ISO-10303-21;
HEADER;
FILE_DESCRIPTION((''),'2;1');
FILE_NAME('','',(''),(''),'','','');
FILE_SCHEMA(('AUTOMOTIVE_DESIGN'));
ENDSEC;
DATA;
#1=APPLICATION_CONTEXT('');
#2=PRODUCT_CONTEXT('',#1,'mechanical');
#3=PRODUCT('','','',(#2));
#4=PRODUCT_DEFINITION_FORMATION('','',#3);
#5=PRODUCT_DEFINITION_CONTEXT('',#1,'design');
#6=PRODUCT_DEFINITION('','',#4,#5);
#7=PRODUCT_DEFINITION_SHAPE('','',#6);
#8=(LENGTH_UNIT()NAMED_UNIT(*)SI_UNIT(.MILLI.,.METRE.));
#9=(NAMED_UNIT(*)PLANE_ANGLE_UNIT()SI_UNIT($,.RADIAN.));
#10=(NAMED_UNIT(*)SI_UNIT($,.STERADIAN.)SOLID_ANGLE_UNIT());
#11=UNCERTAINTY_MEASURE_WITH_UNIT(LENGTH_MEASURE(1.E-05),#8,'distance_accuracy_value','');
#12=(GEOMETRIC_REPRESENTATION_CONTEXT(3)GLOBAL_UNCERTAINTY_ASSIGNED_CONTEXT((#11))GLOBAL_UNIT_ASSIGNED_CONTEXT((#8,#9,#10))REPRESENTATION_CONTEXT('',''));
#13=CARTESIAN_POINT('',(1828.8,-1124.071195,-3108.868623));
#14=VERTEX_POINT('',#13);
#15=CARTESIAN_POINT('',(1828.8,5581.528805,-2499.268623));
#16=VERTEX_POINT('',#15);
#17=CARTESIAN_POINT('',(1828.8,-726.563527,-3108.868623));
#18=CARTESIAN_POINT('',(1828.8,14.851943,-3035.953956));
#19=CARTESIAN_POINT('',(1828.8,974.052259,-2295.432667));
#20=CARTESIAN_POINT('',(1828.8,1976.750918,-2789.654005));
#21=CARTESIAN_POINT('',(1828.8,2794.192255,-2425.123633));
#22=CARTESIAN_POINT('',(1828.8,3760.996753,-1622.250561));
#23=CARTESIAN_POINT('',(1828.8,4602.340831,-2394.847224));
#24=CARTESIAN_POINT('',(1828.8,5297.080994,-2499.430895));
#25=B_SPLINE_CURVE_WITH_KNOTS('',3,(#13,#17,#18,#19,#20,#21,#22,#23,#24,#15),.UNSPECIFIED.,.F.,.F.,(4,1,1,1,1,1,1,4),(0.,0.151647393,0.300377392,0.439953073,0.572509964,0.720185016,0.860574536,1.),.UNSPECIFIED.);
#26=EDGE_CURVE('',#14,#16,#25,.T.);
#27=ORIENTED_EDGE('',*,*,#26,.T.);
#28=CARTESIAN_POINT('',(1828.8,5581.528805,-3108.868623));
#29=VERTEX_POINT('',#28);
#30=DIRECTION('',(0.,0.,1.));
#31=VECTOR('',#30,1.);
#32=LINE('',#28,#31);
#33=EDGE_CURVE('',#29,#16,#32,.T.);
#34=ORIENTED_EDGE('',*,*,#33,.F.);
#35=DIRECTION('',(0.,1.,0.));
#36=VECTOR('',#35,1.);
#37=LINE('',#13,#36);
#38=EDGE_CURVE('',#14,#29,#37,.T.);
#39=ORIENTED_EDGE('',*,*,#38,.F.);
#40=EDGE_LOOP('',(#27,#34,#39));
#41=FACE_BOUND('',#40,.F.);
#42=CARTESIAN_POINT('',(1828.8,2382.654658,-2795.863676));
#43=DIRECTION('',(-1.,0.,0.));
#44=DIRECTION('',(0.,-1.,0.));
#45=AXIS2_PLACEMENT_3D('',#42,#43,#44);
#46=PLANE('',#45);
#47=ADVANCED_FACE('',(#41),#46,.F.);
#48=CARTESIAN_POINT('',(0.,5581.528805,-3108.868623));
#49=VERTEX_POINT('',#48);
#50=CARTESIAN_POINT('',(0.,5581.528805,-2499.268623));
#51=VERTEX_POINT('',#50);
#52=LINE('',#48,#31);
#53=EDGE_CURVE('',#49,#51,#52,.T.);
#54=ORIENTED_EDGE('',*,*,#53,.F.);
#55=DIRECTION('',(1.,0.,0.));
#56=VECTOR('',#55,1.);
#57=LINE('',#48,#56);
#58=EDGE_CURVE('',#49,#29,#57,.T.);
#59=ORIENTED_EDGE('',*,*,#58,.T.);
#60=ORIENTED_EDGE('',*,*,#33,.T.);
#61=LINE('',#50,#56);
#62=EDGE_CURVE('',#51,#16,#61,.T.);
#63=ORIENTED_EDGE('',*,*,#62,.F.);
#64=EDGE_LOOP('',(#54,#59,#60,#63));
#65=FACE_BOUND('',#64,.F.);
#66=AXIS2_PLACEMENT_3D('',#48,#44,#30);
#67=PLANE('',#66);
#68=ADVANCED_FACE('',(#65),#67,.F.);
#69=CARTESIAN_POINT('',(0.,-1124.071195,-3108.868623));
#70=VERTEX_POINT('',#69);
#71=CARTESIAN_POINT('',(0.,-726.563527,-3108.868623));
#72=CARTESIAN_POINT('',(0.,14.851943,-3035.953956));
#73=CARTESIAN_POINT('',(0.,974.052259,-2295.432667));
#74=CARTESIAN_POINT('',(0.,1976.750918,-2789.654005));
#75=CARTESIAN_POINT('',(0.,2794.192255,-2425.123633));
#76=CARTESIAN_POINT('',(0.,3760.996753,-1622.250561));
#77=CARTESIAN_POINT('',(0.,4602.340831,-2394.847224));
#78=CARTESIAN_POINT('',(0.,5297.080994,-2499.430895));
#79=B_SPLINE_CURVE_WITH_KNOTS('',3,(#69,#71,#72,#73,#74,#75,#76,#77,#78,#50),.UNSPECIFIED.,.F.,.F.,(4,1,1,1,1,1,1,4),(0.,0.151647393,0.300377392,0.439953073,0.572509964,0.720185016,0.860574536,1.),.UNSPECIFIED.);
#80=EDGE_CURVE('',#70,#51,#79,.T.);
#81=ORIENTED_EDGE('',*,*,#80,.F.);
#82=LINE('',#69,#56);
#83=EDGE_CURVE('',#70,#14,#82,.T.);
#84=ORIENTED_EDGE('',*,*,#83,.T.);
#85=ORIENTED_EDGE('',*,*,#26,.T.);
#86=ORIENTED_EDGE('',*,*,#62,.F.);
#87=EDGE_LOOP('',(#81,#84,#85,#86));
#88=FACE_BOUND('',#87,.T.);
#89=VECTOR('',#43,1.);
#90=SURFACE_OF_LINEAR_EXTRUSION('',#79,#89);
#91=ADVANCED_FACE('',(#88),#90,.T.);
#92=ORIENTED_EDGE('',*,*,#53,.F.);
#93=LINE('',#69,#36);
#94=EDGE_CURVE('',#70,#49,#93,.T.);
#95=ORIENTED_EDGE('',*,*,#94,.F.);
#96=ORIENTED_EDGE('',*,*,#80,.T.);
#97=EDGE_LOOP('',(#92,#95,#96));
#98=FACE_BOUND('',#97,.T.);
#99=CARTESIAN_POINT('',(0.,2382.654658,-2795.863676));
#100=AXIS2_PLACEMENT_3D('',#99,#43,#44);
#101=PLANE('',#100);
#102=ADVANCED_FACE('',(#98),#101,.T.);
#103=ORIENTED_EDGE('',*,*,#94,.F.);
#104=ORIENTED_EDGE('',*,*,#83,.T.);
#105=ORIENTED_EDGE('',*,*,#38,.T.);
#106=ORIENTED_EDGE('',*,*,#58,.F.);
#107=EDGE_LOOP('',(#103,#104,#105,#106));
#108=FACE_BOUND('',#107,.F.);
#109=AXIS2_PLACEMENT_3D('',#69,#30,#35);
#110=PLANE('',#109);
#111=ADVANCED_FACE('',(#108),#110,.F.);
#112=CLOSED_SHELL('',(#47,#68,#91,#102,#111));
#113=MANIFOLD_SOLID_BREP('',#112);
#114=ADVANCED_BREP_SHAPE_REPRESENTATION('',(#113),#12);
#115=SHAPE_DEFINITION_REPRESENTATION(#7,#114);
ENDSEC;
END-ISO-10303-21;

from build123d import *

# Parameters (mm, degrees)
F1_DEPTH = 1828.8


with BuildPart() as f1:
    # F0 (on Right) → F1 (new body)
    with BuildSketch(Plane.YZ):
        with BuildLine():
            add(Edge.make_bspline(
                [(-1124.0711945431, -3108.8686228842), (-726.563526848, -3108.8686228842), (14.8519425371, -3035.9539561507), (974.0522586621, -2295.4326670038), (1976.7509176185, -2789.6540050073), (2794.1922553121, -2425.1236330631), (3760.9967527287, -1622.2505612051), (4602.3408307221, -2394.8472242153), (5297.0809936523, -2499.4308948517), (5581.5288054569, -2499.2686228842)],
                knots=[0, 0, 0, 0, 0.1516473927, 0.3003773917, 0.439953073, 0.5725099643, 0.7201850165, 0.8605745362, 1, 1, 1, 1], degree=3))
            Line((-1124.0711945431, -3108.8686228842), (5581.5288054569, -3108.8686228842))
            Line((5581.5288054569, -3108.8686228842), (5581.5288054569, -2499.2686228842))
        make_face()
    extrude(amount=F1_DEPTH)


solid = f1.part
